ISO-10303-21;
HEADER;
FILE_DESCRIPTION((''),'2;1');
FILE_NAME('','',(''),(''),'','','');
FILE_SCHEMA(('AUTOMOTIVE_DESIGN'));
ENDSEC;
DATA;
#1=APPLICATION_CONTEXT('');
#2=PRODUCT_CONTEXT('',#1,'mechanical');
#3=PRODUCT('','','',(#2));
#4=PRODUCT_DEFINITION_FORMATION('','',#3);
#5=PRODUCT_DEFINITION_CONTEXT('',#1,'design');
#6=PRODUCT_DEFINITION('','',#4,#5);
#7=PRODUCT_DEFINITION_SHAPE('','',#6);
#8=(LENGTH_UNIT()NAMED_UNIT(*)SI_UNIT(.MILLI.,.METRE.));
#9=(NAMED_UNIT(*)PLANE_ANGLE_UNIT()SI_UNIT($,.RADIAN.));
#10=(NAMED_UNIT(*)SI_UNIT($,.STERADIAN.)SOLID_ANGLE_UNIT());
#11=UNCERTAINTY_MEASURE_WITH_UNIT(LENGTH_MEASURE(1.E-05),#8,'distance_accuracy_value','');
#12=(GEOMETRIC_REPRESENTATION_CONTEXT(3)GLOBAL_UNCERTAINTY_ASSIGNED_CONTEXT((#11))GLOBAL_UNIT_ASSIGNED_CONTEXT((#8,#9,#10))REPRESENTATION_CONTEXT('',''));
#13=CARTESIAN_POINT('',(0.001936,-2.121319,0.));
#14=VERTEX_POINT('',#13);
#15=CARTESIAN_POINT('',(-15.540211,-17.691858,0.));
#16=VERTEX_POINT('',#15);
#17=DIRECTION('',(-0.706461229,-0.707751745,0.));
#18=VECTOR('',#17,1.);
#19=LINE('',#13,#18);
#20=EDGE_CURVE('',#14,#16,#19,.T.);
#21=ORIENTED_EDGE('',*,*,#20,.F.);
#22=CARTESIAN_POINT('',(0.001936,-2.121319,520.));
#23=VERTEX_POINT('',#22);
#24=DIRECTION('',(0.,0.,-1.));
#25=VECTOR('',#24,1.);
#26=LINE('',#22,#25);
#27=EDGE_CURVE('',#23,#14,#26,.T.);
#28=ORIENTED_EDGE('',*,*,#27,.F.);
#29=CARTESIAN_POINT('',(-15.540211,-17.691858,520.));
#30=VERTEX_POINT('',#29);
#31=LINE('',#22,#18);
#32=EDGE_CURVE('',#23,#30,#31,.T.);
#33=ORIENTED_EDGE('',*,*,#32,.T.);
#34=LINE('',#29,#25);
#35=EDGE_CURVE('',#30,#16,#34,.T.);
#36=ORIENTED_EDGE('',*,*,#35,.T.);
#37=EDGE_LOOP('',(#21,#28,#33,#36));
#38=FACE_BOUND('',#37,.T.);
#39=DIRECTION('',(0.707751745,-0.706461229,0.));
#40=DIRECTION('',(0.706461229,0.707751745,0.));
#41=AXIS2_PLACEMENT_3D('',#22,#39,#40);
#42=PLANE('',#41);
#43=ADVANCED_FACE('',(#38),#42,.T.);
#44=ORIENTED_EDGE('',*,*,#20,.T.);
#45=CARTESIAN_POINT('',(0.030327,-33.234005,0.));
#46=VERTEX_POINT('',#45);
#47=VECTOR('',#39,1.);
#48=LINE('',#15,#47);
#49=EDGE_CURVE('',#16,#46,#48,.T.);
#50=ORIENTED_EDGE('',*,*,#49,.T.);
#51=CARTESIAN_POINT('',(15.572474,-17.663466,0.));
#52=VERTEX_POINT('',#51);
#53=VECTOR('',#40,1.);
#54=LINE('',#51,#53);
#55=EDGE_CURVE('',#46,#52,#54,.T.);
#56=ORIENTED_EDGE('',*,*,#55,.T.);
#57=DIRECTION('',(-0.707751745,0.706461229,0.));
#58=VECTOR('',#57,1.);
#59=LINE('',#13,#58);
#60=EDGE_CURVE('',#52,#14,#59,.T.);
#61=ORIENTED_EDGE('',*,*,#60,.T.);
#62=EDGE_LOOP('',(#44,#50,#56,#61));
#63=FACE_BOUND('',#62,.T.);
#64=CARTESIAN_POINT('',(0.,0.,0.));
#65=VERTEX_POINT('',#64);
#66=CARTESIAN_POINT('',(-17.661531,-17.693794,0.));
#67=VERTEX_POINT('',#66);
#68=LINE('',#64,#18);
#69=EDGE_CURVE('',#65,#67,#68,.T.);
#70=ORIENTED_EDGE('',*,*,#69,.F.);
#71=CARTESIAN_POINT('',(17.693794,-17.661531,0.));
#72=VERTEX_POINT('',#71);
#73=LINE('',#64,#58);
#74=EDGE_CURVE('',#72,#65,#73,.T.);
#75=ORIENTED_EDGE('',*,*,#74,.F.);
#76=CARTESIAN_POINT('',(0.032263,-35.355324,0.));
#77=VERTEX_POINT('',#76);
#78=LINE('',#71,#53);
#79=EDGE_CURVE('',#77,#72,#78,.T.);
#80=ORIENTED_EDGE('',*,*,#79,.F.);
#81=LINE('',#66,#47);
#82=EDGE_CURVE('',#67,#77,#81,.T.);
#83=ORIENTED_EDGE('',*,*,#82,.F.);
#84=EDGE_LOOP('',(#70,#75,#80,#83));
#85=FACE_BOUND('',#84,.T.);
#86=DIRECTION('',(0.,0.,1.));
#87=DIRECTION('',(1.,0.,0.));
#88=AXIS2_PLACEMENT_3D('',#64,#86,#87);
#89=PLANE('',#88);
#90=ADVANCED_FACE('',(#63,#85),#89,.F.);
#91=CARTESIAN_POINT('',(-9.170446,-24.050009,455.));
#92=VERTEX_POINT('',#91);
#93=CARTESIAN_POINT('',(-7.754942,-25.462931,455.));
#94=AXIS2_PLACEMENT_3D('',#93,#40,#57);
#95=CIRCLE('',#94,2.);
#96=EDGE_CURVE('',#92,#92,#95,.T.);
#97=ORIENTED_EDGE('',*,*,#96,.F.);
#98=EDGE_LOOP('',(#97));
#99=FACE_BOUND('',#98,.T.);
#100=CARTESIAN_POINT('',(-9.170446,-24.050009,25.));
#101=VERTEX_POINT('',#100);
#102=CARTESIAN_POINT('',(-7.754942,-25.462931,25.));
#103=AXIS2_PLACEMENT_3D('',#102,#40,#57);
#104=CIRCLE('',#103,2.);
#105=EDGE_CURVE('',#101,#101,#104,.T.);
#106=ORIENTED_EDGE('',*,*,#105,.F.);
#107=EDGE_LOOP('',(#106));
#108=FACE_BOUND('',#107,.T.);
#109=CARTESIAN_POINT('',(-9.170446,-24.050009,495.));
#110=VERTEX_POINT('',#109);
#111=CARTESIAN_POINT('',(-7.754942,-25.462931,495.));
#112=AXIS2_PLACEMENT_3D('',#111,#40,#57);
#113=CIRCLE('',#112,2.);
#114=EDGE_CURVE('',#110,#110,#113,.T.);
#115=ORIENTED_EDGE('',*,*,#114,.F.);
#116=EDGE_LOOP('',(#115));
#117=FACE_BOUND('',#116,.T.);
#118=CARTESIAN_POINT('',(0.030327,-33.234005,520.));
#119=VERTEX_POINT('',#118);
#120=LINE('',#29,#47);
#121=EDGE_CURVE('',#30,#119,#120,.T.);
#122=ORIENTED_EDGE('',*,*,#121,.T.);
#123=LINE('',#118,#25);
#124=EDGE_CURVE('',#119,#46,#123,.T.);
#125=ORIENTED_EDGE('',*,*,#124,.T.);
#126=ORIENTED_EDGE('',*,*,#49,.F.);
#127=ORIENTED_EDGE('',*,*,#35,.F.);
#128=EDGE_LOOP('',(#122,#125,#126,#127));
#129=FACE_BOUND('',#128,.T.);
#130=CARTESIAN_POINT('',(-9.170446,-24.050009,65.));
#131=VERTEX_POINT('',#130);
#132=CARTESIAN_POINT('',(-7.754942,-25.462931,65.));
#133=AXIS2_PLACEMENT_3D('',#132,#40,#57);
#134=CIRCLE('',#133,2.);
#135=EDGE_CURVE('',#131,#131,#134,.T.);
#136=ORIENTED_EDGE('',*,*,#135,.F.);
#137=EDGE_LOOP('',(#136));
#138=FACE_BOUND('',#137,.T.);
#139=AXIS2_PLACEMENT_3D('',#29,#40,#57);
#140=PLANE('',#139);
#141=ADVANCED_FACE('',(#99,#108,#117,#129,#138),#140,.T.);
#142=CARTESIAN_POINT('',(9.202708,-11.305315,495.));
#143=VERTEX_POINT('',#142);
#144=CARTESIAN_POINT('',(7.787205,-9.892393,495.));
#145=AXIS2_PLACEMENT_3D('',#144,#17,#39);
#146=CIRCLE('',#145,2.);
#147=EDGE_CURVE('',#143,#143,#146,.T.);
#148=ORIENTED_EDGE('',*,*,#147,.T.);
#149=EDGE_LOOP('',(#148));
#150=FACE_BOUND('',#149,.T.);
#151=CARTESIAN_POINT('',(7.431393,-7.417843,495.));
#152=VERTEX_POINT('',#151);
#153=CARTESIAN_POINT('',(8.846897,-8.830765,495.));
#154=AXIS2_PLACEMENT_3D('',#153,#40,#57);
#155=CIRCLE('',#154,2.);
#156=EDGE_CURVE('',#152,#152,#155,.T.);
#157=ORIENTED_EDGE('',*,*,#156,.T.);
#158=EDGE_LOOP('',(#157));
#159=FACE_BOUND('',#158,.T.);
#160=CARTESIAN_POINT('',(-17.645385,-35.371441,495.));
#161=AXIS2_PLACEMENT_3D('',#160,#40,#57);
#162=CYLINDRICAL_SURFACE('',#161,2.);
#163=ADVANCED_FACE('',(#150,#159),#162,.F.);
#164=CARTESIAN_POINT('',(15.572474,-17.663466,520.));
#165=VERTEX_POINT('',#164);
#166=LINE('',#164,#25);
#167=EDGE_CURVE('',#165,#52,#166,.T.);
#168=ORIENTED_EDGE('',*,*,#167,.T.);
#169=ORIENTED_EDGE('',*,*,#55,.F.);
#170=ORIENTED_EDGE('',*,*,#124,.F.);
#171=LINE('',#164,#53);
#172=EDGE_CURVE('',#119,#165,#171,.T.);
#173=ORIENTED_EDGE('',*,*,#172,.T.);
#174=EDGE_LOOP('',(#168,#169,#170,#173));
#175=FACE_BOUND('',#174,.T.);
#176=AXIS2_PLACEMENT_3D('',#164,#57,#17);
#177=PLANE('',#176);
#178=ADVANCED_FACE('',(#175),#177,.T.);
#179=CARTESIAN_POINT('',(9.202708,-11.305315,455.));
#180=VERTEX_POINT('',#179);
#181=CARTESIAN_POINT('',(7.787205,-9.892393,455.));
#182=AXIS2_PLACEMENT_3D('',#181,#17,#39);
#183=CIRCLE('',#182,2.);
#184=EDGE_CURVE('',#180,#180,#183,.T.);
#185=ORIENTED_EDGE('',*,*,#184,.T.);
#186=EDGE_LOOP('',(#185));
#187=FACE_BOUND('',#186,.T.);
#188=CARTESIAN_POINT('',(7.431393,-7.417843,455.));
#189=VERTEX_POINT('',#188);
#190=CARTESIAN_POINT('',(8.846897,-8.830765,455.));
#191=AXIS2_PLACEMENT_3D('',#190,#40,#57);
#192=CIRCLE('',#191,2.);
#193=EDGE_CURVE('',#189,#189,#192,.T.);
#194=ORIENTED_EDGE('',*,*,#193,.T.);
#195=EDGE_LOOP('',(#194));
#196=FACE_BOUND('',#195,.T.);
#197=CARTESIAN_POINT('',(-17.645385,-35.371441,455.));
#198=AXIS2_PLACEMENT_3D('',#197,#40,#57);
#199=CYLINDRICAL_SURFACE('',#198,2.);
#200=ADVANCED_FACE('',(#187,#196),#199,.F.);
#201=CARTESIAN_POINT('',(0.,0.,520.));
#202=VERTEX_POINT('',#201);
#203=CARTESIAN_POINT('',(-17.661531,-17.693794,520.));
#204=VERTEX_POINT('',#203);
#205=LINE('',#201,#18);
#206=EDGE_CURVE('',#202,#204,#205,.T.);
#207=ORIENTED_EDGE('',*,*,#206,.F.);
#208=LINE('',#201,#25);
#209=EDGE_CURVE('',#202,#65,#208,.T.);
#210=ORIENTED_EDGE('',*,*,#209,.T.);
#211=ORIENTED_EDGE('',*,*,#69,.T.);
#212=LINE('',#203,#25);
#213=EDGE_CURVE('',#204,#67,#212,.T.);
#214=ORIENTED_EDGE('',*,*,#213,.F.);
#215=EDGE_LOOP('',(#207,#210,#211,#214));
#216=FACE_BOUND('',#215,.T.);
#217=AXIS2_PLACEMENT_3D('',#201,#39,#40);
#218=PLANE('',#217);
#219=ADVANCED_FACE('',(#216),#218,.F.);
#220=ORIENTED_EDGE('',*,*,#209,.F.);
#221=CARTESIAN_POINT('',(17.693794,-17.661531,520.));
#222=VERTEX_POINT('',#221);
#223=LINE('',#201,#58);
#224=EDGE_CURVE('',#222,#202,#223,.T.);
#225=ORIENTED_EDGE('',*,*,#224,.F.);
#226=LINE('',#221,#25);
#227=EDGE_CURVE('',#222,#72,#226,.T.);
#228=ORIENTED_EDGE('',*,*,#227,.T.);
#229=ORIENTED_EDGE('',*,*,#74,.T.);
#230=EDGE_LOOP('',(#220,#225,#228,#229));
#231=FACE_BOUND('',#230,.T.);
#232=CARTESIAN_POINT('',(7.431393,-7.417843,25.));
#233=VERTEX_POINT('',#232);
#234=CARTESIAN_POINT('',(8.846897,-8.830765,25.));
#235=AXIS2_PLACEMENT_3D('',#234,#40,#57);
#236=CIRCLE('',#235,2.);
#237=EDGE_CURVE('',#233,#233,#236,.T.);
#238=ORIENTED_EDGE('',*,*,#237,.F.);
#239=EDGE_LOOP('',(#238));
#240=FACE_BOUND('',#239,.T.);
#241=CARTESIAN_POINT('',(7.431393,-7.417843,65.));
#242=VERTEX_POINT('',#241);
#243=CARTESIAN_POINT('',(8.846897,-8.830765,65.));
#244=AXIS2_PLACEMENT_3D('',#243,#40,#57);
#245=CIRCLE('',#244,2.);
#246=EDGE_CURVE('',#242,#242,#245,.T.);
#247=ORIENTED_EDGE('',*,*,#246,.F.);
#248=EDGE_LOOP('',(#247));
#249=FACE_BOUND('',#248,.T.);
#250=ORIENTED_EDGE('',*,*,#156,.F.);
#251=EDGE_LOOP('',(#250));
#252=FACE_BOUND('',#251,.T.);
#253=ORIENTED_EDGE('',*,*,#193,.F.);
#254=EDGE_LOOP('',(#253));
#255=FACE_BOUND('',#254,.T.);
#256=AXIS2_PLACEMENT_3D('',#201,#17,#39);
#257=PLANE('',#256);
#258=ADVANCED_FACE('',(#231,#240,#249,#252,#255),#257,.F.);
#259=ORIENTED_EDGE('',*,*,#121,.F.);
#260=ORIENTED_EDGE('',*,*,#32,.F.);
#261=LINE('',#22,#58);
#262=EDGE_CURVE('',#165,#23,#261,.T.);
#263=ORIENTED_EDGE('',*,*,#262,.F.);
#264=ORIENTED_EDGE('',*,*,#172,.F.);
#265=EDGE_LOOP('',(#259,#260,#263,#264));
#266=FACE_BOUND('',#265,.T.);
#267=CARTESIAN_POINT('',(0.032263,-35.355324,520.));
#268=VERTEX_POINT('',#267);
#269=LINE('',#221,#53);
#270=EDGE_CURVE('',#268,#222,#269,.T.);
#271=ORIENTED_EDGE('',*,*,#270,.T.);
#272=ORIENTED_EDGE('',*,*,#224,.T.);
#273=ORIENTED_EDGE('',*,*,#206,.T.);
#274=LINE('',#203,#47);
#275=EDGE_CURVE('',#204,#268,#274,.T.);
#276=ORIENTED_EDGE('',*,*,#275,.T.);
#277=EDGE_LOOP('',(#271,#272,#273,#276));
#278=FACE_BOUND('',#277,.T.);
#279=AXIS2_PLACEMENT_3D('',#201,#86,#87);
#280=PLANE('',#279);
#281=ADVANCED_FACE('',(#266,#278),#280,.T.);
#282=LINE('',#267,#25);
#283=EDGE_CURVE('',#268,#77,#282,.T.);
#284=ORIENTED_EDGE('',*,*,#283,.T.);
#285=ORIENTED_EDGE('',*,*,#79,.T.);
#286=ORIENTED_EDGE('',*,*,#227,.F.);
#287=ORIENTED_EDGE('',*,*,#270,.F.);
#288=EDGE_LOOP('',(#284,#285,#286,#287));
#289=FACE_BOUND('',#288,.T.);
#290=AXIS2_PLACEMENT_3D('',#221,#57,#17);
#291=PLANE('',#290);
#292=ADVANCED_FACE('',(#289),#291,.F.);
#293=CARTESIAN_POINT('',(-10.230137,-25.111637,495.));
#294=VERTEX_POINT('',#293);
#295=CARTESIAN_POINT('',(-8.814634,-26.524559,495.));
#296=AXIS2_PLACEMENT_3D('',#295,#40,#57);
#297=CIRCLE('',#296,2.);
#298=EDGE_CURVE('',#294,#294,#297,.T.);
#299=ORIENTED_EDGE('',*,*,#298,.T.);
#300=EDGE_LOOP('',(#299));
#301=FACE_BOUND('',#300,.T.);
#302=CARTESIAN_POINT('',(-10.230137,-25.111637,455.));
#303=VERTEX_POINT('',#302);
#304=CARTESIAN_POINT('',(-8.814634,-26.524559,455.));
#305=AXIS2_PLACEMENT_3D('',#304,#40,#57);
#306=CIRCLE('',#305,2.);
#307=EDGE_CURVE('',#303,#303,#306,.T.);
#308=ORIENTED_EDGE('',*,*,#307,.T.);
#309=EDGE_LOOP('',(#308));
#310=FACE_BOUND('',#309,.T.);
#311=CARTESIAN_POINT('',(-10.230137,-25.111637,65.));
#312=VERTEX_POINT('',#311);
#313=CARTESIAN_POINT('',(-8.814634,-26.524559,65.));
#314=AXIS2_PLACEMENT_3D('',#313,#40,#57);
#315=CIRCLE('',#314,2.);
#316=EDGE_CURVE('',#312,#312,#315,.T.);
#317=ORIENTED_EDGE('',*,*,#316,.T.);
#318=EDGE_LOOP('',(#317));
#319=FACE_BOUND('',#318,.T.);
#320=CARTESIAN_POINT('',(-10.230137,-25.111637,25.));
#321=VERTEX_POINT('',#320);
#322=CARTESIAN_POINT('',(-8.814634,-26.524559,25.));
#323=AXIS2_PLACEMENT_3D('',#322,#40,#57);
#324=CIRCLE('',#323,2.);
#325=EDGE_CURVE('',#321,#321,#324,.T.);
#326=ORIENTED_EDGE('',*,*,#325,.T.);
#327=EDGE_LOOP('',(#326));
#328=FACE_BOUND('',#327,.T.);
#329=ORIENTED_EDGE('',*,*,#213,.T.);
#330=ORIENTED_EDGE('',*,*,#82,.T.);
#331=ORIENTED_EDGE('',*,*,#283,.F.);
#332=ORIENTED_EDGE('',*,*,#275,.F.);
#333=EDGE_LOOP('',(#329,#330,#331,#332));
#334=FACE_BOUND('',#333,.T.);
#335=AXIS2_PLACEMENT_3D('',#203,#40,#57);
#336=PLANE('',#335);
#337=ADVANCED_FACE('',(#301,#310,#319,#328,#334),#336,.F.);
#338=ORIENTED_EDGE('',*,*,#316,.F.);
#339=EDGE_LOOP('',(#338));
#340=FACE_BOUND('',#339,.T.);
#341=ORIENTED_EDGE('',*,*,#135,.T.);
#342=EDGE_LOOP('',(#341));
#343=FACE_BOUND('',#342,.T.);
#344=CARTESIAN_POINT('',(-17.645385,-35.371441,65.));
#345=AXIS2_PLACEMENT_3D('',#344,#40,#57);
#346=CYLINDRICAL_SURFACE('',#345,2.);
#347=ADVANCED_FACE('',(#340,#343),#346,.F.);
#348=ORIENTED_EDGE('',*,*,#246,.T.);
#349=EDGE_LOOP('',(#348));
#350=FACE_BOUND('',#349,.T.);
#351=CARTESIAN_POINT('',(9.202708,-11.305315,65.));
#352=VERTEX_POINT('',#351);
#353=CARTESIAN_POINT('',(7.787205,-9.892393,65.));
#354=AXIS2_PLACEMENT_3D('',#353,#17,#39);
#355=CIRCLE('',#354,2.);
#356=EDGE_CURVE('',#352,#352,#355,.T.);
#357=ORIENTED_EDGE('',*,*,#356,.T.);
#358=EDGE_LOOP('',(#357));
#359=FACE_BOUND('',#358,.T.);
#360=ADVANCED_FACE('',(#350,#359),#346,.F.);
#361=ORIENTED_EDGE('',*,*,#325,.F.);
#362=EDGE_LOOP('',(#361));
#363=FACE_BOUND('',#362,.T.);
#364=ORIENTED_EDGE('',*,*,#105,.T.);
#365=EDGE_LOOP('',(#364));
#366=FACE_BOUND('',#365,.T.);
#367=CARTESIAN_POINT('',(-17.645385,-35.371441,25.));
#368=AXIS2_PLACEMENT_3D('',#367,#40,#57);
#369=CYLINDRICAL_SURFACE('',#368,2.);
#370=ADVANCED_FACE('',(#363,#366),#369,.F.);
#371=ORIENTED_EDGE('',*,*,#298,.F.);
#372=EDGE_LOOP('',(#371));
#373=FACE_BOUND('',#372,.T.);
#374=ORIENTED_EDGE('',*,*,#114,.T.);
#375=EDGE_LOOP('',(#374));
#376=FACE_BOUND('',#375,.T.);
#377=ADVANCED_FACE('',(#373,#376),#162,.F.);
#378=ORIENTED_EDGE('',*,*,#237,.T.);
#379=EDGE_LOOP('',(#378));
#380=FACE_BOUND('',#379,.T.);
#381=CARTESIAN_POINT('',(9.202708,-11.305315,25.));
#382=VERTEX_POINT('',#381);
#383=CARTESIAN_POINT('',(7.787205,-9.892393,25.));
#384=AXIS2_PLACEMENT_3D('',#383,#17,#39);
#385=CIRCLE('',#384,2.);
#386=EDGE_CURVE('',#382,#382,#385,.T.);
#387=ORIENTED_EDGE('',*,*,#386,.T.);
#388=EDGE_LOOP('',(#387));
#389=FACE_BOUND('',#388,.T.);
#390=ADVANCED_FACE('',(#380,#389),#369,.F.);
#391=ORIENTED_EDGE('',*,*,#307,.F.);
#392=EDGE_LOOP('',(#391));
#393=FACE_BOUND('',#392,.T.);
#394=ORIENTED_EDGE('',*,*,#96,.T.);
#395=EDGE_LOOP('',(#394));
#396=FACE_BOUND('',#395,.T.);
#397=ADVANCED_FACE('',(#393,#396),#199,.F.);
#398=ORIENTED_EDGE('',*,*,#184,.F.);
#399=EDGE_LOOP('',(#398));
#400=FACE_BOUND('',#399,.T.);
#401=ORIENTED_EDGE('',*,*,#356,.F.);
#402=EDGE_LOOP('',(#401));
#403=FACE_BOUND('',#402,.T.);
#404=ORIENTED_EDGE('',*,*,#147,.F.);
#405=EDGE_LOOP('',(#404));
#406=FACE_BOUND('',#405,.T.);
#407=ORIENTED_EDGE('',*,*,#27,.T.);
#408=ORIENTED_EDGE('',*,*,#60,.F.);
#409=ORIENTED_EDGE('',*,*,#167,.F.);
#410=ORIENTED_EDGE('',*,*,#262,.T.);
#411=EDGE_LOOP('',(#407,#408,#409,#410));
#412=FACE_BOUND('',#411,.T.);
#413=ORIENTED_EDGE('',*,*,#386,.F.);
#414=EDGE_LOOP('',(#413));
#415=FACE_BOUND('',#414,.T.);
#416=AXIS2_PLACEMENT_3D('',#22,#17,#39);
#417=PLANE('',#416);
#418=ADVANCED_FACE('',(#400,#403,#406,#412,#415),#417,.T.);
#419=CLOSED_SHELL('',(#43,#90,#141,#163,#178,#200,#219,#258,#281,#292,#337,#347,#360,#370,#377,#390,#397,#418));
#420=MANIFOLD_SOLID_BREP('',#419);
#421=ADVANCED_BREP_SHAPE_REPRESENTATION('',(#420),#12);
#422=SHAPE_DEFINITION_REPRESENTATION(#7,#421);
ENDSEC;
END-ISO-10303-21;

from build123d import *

# Parameters (mm, degrees)
EXTRUDE_1_DEPTH     = 520
SKETCH_2_R          = 2
CUT_EXTRUDE_1_DEPTH = 38.499979182


with BuildPart() as part:
    # 草圖1 → 填料-伸長1 (new body)
    with BuildSketch(Plane.XY):
        Polygon((0, 0), (17.69379362, -17.661530719), (0.032262901, -35.355324339), (-17.661530719, -17.69379362), align=None)
        Polygon((0.001935774, -2.12131946), (-15.540211259, -17.691857846), (0.030327127, -33.234004879), (15.57247416, -17.663466493), align=None, mode=Mode.SUBTRACT)
    extrude(amount=EXTRUDE_1_DEPTH)

    # 草圖2 → 除料-伸長1 (cut, through all)
    with BuildSketch(Plane(origin=(0, 0, 0), x_dir=(0.707751745, -0.706461229, 0), z_dir=(0.706461229, 0.707751745, 0))):
        with Locations((12.5, -455)):
            Circle(SKETCH_2_R)
        with Locations((12.5, -495)):
            Circle(SKETCH_2_R)
        with Locations((12.5, -25)):
            Circle(SKETCH_2_R)
        with Locations((12.5, -65)):
            Circle(SKETCH_2_R)
    extrude(amount=-CUT_EXTRUDE_1_DEPTH, mode=Mode.SUBTRACT)


solid = part.part
